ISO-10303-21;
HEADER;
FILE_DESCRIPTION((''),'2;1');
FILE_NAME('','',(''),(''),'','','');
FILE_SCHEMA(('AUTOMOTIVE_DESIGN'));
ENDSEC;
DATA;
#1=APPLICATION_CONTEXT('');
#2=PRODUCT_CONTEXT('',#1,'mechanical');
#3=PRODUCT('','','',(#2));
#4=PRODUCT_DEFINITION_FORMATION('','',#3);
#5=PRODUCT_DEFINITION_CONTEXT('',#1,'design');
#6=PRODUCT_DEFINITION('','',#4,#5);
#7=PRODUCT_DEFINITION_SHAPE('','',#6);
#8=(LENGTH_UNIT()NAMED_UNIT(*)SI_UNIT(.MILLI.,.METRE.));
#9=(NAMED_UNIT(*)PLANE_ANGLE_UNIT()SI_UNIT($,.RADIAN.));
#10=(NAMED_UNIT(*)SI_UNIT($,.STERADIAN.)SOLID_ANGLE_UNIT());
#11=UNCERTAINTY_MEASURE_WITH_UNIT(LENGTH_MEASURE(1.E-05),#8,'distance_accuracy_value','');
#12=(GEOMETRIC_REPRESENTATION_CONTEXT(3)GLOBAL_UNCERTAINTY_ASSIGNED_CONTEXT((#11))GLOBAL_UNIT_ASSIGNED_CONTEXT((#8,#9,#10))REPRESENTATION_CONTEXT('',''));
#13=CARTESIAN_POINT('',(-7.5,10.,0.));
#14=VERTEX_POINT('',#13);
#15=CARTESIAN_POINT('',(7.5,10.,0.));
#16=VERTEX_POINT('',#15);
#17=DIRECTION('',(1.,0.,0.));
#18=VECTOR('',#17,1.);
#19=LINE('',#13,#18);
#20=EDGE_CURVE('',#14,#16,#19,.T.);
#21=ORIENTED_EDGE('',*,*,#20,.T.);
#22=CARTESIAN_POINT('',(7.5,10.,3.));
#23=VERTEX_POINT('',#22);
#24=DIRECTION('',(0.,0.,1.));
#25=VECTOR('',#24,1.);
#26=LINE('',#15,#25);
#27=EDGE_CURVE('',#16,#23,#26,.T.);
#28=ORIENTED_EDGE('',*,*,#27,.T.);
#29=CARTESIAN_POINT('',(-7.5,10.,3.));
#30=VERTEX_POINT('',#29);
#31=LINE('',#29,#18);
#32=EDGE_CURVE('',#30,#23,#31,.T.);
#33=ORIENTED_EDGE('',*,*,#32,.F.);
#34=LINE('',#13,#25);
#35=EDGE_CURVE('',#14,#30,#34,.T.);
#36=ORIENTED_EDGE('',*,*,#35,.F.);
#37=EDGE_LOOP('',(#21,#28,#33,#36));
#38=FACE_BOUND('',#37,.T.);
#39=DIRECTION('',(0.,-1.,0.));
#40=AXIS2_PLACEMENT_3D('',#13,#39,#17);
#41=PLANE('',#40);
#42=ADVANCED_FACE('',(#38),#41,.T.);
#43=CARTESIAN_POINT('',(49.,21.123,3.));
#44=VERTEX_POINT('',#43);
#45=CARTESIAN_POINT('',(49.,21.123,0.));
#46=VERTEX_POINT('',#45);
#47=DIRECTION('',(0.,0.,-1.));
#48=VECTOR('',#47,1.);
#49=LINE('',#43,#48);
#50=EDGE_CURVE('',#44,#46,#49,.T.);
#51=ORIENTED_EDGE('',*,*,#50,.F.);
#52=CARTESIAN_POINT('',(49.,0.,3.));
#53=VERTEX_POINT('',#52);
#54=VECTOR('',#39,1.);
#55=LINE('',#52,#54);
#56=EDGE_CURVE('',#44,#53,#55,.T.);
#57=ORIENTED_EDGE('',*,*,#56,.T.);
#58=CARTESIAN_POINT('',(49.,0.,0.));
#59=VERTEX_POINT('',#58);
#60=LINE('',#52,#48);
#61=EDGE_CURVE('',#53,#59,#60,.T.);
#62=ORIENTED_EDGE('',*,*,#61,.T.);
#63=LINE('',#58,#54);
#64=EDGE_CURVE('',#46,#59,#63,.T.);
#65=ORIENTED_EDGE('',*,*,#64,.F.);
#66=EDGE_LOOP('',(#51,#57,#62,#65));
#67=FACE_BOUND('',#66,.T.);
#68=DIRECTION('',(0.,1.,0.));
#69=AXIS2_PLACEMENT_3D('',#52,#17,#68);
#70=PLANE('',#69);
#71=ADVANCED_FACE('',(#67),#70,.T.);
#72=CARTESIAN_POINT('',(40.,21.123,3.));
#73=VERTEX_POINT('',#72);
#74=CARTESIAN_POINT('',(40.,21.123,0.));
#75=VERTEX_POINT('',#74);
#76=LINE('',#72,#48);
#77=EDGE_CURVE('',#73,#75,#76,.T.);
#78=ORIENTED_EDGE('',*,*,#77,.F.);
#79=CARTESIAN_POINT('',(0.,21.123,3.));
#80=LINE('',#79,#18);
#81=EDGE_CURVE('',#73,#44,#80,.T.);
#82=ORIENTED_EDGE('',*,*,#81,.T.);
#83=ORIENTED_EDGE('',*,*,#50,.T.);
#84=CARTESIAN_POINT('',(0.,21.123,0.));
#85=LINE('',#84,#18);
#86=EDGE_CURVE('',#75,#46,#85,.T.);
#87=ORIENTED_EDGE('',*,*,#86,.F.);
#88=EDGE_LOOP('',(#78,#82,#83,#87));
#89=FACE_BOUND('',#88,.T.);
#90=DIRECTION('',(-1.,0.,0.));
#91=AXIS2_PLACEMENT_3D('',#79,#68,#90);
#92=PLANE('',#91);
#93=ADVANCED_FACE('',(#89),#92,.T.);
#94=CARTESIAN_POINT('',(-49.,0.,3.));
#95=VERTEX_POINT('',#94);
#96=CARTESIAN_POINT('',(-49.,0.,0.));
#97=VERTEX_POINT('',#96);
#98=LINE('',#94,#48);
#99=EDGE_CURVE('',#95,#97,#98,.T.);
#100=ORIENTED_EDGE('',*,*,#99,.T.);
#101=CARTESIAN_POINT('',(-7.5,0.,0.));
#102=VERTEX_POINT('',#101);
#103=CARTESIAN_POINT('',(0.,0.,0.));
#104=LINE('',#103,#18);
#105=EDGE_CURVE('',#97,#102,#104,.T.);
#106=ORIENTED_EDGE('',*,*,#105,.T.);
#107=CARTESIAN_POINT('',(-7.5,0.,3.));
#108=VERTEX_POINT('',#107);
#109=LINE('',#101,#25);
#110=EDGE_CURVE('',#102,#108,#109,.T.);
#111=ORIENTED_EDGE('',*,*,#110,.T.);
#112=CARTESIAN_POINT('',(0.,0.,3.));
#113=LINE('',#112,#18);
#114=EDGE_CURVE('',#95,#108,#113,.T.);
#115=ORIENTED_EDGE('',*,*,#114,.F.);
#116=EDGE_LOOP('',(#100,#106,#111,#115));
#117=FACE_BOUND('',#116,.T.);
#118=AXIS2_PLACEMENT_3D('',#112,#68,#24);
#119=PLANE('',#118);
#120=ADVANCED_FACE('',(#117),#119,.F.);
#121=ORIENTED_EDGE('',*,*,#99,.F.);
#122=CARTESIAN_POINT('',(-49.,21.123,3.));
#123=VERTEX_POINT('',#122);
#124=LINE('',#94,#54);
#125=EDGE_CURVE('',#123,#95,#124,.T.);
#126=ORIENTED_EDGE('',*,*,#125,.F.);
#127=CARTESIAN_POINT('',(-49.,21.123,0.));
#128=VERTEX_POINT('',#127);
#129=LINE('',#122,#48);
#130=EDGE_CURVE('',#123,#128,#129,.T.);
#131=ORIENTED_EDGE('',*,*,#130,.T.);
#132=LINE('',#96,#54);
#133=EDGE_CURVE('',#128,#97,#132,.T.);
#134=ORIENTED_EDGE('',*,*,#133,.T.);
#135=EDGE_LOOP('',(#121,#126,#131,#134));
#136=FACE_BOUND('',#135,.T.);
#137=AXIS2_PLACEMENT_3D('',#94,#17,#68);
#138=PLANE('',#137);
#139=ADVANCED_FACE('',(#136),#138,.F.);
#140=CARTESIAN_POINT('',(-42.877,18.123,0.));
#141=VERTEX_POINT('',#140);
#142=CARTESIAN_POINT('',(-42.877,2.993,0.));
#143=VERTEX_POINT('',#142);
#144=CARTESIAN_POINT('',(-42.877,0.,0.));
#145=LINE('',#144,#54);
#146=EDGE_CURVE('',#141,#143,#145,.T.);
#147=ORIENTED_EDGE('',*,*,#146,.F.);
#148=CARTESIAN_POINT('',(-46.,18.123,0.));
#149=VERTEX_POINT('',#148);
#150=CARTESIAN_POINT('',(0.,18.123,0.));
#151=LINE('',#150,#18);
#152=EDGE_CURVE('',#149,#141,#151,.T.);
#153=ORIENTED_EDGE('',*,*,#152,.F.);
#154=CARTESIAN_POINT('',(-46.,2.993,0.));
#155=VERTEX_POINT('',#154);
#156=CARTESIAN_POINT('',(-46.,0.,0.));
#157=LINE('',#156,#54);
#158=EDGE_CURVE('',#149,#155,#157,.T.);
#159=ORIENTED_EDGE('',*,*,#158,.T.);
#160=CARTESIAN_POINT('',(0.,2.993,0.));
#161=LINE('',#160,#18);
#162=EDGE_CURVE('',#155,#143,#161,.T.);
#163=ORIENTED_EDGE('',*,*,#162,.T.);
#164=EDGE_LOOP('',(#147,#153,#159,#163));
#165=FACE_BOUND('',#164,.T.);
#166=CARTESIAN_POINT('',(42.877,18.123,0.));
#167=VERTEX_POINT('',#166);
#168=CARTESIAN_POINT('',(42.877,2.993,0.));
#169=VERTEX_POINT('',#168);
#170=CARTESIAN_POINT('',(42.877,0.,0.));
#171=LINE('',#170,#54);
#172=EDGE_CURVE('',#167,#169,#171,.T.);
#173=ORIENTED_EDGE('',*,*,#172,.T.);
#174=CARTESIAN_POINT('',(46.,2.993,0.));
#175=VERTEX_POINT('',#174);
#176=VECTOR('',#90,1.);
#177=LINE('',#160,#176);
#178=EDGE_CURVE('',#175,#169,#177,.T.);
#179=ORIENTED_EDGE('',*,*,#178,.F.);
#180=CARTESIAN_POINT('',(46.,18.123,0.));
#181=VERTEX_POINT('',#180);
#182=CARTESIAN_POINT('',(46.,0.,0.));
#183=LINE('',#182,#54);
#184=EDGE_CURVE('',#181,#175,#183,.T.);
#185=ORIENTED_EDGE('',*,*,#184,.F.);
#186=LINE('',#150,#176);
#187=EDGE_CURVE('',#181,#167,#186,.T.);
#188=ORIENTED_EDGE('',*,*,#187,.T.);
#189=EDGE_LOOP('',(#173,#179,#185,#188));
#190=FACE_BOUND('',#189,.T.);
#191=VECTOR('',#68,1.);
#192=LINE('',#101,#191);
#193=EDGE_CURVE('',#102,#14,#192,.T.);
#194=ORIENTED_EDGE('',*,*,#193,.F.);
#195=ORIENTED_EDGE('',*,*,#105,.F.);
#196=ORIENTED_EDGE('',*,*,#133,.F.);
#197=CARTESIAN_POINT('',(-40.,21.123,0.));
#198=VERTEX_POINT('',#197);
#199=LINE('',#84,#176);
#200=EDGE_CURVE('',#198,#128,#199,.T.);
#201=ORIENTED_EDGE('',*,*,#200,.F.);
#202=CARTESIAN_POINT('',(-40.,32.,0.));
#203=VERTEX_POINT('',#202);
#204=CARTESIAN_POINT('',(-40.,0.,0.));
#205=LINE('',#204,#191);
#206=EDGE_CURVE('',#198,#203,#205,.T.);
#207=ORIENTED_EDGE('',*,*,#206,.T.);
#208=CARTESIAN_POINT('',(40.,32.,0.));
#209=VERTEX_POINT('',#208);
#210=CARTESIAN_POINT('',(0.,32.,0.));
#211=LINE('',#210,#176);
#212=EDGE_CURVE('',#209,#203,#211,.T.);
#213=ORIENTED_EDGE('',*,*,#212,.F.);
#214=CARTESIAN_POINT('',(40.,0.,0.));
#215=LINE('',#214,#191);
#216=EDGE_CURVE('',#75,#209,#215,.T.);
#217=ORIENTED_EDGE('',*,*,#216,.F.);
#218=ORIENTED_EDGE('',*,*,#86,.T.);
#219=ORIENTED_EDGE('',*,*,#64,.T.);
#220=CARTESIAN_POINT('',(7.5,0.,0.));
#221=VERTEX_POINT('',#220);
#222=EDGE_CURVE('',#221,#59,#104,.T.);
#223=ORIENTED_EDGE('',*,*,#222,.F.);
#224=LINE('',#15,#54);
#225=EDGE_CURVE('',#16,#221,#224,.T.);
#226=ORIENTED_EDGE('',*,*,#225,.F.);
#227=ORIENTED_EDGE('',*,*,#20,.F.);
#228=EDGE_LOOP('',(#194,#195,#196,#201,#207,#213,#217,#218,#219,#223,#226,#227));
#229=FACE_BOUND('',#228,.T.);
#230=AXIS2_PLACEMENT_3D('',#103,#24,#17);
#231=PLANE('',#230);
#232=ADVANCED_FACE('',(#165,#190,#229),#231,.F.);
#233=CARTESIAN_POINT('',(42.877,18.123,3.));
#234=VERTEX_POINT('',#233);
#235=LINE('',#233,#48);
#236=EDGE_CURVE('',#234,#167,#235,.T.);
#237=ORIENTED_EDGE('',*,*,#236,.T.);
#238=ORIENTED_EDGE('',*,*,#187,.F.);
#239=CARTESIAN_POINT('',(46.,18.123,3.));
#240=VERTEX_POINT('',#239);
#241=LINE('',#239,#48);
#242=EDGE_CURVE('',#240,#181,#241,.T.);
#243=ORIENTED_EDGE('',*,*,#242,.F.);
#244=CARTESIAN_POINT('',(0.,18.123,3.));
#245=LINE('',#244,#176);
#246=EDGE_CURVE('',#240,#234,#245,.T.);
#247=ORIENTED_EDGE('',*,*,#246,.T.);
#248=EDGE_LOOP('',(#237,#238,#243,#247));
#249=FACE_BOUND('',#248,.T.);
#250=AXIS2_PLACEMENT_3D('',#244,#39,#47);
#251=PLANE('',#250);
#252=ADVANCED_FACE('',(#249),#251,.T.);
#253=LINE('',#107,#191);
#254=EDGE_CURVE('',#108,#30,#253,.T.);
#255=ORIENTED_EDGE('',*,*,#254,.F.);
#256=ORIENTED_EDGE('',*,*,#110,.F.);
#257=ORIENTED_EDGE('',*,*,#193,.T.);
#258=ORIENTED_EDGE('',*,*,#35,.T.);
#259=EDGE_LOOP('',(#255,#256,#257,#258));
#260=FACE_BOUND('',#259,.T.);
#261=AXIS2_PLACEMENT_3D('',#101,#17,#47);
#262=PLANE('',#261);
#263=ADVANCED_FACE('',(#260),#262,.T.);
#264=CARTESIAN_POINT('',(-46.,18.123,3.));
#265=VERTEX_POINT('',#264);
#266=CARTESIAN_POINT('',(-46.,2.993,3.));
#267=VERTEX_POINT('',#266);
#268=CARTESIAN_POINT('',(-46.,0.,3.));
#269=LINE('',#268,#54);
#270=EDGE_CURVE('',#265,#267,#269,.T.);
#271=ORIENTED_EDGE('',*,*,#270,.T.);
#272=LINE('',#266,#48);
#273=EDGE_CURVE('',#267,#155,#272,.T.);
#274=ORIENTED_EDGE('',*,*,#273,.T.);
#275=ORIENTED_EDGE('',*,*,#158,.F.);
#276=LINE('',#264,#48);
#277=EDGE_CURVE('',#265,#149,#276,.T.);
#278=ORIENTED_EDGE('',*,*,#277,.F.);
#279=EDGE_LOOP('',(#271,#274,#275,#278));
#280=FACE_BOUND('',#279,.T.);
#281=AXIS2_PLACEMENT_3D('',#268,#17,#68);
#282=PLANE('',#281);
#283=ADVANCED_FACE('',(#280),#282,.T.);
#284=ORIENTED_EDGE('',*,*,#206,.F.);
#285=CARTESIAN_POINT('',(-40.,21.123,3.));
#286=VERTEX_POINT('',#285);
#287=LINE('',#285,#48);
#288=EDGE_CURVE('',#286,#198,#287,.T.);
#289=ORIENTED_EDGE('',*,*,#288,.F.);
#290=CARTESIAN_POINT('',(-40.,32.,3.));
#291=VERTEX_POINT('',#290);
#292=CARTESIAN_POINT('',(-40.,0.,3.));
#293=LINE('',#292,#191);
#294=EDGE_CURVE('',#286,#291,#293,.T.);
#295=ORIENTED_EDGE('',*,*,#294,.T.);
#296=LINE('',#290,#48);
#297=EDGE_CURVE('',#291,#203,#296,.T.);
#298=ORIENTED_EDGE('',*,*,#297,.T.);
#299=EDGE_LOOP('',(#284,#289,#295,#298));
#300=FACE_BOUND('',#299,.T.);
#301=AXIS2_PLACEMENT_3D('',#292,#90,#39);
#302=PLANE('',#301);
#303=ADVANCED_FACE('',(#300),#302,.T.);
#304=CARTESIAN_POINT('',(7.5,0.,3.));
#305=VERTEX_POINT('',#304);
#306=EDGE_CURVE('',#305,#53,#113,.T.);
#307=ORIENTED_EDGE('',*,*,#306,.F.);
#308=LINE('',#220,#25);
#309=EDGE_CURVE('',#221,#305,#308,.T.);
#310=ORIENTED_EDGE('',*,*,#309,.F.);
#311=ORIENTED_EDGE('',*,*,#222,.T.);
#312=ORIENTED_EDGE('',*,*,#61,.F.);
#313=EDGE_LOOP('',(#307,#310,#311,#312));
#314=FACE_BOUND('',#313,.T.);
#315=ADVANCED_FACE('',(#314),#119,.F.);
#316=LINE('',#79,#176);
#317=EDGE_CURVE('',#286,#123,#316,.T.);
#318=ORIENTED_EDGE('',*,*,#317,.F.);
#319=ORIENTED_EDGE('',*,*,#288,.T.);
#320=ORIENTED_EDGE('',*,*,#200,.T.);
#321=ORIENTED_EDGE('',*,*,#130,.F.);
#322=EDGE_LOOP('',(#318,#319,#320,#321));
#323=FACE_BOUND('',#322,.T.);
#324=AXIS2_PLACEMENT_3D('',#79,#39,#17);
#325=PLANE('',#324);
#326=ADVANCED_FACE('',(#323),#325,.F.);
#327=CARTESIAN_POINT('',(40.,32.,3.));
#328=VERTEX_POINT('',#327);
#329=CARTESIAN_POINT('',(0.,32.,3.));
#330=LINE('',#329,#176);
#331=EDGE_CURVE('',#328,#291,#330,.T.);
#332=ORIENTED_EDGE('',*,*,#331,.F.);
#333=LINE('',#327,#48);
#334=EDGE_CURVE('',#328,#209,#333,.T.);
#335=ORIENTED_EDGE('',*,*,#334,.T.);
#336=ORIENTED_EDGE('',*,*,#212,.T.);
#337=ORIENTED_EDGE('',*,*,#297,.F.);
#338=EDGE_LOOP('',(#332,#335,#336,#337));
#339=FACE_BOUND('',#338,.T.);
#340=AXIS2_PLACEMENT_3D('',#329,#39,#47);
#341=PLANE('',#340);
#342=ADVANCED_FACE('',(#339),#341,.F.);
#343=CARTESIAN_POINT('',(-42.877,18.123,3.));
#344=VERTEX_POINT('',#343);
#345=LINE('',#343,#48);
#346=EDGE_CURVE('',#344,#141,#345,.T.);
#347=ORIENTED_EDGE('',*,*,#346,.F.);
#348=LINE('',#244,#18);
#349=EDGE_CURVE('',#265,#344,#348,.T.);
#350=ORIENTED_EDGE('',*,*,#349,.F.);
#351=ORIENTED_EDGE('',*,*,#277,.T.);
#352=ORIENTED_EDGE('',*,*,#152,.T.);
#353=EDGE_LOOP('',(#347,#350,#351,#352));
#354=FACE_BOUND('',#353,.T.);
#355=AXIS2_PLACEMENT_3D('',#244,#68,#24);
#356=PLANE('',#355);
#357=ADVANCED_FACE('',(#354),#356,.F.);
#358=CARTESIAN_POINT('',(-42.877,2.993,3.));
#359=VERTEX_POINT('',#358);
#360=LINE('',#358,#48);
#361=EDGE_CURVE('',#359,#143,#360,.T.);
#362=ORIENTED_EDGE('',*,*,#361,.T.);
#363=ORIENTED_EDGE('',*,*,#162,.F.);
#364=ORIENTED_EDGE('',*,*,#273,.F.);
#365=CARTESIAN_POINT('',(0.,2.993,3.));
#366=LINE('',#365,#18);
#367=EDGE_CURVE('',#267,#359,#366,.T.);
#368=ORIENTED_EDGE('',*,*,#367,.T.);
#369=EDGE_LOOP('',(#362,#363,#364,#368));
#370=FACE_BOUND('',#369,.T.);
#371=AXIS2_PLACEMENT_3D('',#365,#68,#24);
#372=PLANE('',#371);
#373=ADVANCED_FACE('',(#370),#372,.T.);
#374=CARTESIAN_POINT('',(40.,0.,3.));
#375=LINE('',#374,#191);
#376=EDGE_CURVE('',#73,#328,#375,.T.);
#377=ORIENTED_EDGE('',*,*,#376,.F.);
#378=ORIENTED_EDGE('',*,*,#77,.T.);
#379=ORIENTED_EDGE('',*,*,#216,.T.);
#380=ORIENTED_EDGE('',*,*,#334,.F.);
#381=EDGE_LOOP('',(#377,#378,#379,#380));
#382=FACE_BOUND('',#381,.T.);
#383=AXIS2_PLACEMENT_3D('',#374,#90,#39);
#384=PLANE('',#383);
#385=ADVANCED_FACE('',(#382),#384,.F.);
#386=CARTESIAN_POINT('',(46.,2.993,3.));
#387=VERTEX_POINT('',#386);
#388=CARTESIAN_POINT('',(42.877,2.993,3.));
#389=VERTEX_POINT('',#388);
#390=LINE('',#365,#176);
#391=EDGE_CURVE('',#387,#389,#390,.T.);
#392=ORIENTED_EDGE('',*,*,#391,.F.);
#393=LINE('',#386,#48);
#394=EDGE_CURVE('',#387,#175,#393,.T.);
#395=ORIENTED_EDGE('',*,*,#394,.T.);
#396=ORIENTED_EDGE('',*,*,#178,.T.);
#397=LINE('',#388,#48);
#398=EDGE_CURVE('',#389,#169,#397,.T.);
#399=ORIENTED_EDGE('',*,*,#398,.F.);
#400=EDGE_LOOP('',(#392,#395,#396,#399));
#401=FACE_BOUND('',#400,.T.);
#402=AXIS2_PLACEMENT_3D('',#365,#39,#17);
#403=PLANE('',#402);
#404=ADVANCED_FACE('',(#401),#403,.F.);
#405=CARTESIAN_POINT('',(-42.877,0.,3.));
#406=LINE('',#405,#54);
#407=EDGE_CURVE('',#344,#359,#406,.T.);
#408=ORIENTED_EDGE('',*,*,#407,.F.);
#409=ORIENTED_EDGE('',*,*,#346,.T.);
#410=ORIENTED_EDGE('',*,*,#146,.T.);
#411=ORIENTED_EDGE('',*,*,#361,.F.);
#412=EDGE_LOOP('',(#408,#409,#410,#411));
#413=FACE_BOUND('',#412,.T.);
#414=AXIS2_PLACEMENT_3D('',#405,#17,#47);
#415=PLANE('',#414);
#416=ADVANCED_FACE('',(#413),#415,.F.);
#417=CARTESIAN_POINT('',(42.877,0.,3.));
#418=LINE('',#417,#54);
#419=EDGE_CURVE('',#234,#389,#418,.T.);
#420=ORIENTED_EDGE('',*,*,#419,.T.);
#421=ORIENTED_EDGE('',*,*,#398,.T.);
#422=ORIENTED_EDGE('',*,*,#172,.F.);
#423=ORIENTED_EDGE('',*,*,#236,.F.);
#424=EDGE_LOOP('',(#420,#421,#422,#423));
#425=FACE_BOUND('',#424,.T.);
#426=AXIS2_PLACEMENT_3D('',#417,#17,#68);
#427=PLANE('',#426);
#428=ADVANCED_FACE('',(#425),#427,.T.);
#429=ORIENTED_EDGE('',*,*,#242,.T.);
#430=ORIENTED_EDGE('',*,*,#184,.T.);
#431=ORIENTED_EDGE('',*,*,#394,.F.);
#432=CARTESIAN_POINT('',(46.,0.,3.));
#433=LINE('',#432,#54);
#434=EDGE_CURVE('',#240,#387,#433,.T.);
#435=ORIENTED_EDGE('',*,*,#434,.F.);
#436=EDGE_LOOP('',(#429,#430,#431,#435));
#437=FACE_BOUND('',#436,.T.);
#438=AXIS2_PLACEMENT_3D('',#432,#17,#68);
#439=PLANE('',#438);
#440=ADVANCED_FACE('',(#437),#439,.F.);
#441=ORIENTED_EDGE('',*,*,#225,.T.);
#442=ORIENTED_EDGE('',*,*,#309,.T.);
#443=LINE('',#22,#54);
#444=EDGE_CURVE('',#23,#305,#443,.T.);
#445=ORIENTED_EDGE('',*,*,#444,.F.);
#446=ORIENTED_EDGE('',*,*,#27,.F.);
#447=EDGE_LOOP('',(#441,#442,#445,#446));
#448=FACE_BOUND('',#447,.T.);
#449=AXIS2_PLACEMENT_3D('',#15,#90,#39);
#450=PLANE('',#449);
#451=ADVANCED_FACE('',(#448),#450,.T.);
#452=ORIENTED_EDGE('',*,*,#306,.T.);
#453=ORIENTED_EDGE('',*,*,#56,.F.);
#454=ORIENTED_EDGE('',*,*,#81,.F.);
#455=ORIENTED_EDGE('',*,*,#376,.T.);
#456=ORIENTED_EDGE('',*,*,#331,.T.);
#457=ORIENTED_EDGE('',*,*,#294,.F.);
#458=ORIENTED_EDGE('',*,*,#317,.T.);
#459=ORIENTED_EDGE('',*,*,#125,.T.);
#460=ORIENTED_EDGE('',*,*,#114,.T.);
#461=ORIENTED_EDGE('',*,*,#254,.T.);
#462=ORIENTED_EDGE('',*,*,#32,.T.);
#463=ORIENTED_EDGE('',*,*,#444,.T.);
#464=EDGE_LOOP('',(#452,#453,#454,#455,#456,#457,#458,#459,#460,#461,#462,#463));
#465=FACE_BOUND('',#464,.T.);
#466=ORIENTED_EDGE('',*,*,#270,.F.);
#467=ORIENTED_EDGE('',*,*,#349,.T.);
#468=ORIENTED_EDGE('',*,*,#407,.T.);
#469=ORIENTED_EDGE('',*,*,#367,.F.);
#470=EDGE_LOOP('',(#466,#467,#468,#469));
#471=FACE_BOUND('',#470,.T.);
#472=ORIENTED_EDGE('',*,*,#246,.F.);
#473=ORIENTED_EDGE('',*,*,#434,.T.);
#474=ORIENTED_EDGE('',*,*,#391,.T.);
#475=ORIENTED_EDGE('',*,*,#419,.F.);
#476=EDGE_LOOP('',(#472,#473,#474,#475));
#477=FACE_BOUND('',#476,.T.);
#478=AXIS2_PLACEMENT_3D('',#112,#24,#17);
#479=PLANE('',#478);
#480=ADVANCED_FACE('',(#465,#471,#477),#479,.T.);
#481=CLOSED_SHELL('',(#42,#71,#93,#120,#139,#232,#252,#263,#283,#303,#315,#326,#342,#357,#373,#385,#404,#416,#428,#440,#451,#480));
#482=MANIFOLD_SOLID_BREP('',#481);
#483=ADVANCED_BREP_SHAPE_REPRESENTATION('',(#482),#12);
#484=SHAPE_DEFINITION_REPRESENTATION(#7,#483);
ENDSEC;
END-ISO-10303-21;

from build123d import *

# Parameters (mm, degrees)
CROQUIS1_W              = 3.123
CROQUIS1_H              = 15.13
SALIENTE_EXTRUIR1_DEPTH = 3
CROQUIS2_W              = 15
CROQUIS2_H              = 10
CORTAR_EXTRUIR1_DEPTH   = 4


with BuildPart() as part:
    # Croquis1 → Saliente-Extruir1 (new body)
    with BuildSketch(Plane.XY):
        Polygon((-49, 0), (49, 0), (49, 21.123), (40, 21.123), (40, 32), (-40, 32), (-40, 21.123), (-49, 21.123), align=None)
        with Locations((-44.4385, 10.558)):
            Rectangle(CROQUIS1_W, CROQUIS1_H, mode=Mode.SUBTRACT)
        with Locations((44.4385, 10.558)):
            Rectangle(CROQUIS1_W, CROQUIS1_H, mode=Mode.SUBTRACT)
    extrude(amount=SALIENTE_EXTRUIR1_DEPTH)

    # Croquis2 → Cortar-Extruir1 (cut, through all)
    with BuildSketch(Plane.XY.offset(3)):
        with Locations((0, 5)):
            Rectangle(CROQUIS2_W, CROQUIS2_H)
    extrude(amount=-CORTAR_EXTRUIR1_DEPTH, mode=Mode.SUBTRACT)


solid = part.part
